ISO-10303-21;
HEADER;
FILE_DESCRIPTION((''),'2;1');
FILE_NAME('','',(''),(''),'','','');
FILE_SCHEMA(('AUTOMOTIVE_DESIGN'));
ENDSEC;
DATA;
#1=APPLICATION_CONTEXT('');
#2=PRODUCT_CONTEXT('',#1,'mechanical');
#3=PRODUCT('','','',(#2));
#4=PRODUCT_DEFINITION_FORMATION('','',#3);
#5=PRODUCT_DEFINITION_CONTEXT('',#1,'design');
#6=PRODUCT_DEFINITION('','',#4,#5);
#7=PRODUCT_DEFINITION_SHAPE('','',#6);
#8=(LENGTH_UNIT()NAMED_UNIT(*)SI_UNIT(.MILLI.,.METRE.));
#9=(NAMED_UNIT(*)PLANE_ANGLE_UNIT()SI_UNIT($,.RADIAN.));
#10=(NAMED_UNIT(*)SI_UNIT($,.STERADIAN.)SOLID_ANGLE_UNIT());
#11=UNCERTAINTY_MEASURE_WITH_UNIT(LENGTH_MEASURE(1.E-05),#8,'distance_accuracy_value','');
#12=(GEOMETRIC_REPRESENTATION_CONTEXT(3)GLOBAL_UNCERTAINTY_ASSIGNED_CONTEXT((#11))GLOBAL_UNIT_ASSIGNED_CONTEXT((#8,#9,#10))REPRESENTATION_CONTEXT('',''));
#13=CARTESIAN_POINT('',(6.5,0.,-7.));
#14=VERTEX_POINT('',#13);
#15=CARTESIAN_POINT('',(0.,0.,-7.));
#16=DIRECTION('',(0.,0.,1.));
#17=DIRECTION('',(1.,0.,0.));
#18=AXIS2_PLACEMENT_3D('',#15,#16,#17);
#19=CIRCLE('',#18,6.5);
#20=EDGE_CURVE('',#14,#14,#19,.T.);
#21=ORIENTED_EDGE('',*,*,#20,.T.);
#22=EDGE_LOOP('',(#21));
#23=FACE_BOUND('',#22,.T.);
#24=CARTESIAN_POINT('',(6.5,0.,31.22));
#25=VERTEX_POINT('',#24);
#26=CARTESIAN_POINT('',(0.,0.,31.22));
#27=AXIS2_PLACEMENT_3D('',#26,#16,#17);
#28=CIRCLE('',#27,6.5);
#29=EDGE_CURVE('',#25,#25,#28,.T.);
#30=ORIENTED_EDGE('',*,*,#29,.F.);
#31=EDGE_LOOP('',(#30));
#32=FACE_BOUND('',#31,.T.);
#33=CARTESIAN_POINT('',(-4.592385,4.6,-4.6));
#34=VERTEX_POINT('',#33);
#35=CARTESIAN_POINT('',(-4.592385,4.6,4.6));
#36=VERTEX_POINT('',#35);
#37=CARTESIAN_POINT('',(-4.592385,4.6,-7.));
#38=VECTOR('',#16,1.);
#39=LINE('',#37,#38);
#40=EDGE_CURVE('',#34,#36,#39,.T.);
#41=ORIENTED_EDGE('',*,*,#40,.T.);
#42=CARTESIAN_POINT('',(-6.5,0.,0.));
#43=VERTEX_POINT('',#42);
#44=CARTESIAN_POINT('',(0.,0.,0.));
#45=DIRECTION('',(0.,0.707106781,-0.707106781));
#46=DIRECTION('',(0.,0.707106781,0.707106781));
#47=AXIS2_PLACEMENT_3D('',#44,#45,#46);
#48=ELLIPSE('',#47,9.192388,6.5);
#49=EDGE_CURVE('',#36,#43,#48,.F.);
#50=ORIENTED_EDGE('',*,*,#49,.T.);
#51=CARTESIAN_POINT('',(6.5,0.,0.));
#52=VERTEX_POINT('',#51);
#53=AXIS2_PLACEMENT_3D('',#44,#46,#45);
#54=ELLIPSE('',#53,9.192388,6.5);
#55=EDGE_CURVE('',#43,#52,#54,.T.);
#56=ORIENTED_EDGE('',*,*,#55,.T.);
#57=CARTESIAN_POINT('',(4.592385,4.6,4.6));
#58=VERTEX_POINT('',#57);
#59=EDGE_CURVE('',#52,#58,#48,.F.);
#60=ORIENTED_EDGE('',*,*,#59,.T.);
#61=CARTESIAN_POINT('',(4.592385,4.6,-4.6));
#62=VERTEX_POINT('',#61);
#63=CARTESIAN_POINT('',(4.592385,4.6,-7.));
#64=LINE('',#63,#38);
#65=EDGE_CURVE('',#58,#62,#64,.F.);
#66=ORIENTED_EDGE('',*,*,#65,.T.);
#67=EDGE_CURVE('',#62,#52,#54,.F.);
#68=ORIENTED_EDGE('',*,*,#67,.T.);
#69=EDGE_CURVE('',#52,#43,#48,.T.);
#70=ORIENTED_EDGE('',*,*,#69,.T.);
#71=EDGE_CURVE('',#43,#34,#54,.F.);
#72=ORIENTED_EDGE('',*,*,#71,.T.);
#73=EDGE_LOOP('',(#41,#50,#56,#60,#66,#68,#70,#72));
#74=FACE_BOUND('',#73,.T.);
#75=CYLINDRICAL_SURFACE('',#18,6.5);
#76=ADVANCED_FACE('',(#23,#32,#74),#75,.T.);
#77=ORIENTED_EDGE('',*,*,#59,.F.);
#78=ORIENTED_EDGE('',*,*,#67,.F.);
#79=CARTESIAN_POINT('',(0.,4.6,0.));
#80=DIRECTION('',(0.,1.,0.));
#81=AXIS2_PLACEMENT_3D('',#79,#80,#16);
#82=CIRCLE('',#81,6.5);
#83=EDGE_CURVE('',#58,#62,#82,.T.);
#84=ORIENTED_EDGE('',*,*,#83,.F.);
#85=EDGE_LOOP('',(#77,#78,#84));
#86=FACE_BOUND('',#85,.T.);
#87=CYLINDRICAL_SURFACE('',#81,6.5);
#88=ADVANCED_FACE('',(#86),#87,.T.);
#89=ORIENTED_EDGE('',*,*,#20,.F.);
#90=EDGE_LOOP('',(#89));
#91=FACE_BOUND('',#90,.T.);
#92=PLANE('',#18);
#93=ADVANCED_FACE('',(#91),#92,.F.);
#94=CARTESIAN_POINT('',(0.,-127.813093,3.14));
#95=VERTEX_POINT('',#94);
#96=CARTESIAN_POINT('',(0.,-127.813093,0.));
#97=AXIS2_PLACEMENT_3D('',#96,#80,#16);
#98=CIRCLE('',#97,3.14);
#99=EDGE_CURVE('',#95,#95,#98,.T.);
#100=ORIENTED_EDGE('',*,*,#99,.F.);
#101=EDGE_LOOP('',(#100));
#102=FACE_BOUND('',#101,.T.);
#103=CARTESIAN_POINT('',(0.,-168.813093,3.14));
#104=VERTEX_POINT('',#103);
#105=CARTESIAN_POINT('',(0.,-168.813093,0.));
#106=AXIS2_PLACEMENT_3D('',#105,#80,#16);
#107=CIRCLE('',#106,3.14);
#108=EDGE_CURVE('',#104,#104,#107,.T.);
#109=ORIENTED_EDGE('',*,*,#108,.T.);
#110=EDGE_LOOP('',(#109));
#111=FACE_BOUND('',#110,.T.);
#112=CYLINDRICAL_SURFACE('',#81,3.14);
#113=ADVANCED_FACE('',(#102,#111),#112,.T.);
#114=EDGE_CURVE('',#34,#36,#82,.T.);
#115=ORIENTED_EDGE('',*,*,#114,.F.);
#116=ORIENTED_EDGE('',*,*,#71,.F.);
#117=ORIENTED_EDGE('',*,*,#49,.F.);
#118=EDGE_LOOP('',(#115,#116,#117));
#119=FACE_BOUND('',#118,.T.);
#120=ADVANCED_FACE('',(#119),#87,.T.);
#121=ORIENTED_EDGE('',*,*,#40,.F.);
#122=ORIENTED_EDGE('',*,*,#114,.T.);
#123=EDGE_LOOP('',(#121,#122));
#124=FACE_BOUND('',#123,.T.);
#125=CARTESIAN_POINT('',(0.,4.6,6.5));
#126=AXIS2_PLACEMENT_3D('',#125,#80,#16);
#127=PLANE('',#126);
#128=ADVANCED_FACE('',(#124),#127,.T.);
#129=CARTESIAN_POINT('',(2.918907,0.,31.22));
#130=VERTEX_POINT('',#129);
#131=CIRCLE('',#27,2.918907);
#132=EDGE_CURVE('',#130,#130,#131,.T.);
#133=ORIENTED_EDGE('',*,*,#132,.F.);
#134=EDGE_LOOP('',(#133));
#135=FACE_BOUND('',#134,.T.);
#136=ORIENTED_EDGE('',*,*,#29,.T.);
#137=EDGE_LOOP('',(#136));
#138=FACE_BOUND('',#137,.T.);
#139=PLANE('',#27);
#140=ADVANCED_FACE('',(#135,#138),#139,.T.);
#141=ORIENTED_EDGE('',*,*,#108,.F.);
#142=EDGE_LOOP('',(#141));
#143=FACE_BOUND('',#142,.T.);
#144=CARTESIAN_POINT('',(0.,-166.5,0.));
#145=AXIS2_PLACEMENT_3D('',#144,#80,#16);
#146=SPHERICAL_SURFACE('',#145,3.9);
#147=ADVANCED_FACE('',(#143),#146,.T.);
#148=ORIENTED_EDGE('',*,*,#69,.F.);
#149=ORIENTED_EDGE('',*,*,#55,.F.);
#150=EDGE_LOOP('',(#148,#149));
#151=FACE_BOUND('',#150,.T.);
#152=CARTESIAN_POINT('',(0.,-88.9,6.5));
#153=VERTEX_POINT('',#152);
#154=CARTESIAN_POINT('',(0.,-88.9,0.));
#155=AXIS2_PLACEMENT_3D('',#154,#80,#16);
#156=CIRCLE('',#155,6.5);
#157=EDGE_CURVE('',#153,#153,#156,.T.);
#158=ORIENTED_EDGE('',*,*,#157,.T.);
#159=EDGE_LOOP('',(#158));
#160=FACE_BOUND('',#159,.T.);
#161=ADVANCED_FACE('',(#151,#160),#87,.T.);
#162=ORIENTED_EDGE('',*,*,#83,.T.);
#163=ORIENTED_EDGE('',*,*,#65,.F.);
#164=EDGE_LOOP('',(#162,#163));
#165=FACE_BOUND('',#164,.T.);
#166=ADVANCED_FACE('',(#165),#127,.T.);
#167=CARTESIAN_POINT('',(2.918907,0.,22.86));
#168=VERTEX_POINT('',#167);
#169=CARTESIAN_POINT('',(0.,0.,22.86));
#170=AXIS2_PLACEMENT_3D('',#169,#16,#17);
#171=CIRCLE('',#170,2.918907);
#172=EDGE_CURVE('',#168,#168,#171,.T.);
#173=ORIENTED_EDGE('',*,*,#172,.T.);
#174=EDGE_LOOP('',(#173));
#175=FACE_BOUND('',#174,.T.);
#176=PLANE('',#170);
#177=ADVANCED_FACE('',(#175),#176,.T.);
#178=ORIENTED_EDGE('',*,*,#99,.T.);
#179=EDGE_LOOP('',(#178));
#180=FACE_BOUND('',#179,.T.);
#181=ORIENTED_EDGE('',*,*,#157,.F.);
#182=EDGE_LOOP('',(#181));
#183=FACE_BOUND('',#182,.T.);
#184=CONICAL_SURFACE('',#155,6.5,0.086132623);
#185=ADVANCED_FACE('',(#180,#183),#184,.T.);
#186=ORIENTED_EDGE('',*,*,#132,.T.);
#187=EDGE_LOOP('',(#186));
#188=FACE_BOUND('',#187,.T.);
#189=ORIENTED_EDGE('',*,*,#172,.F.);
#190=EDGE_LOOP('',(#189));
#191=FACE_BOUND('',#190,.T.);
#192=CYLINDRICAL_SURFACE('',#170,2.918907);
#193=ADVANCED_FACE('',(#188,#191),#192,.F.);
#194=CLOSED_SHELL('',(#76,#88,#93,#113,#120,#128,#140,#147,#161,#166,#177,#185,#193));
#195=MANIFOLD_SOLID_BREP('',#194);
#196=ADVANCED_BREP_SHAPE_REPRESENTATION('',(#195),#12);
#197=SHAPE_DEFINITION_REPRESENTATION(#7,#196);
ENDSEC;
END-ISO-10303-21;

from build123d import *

# Parameters (mm, degrees)
BOSS_EXTRUDE1_DEPTH      = 31.22
BOSS_EXTRUDE1_DEPTH_BACK = 7
SKETCH2_R                = 6.5
SKETCH3_R                = 2.918906714
CUT_EXTRUDE1_DEPTH       = 8.36


with BuildPart() as part:
    # Sketch1 → Revolve1 (revolve)
    with BuildSketch(Plane(origin=(0, 0, 0), x_dir=(0, 0, -1), z_dir=(1, 0, 0))):
        with BuildLine():
            Line((0, 4.6), (0, -170.4))
            ThreePointArc((0, -170.4), (-1.759110094, -169.980737232), (-3.14, -168.813093167))
            Line((-3.14, -168.813093167), (-3.14, -127.813093167))
            Line((-3.14, -127.813093167), (-6.5, -88.9))
            Line((-6.5, -88.9), (-6.5, 4.6))
            Line((-6.5, 4.6), (0, 4.6))
        make_face()
    revolve(axis=Axis((0, 4.6, 0), (0, -1, 0)))

    # Sketch2 → Boss-Extrude1 (add, two sides: drawn at the far end of the back side and taken through both)
    with BuildSketch(Plane.XY.offset(-BOSS_EXTRUDE1_DEPTH_BACK)):
        Circle(SKETCH2_R)
    extrude(amount=BOSS_EXTRUDE1_DEPTH + BOSS_EXTRUDE1_DEPTH_BACK)

    # Sketch3 → Cut-Extrude1 (cut)
    with BuildSketch(Plane.XY.offset(31.22)):
        Circle(SKETCH3_R)
    extrude(amount=-CUT_EXTRUDE1_DEPTH, mode=Mode.SUBTRACT)


solid = part.part
